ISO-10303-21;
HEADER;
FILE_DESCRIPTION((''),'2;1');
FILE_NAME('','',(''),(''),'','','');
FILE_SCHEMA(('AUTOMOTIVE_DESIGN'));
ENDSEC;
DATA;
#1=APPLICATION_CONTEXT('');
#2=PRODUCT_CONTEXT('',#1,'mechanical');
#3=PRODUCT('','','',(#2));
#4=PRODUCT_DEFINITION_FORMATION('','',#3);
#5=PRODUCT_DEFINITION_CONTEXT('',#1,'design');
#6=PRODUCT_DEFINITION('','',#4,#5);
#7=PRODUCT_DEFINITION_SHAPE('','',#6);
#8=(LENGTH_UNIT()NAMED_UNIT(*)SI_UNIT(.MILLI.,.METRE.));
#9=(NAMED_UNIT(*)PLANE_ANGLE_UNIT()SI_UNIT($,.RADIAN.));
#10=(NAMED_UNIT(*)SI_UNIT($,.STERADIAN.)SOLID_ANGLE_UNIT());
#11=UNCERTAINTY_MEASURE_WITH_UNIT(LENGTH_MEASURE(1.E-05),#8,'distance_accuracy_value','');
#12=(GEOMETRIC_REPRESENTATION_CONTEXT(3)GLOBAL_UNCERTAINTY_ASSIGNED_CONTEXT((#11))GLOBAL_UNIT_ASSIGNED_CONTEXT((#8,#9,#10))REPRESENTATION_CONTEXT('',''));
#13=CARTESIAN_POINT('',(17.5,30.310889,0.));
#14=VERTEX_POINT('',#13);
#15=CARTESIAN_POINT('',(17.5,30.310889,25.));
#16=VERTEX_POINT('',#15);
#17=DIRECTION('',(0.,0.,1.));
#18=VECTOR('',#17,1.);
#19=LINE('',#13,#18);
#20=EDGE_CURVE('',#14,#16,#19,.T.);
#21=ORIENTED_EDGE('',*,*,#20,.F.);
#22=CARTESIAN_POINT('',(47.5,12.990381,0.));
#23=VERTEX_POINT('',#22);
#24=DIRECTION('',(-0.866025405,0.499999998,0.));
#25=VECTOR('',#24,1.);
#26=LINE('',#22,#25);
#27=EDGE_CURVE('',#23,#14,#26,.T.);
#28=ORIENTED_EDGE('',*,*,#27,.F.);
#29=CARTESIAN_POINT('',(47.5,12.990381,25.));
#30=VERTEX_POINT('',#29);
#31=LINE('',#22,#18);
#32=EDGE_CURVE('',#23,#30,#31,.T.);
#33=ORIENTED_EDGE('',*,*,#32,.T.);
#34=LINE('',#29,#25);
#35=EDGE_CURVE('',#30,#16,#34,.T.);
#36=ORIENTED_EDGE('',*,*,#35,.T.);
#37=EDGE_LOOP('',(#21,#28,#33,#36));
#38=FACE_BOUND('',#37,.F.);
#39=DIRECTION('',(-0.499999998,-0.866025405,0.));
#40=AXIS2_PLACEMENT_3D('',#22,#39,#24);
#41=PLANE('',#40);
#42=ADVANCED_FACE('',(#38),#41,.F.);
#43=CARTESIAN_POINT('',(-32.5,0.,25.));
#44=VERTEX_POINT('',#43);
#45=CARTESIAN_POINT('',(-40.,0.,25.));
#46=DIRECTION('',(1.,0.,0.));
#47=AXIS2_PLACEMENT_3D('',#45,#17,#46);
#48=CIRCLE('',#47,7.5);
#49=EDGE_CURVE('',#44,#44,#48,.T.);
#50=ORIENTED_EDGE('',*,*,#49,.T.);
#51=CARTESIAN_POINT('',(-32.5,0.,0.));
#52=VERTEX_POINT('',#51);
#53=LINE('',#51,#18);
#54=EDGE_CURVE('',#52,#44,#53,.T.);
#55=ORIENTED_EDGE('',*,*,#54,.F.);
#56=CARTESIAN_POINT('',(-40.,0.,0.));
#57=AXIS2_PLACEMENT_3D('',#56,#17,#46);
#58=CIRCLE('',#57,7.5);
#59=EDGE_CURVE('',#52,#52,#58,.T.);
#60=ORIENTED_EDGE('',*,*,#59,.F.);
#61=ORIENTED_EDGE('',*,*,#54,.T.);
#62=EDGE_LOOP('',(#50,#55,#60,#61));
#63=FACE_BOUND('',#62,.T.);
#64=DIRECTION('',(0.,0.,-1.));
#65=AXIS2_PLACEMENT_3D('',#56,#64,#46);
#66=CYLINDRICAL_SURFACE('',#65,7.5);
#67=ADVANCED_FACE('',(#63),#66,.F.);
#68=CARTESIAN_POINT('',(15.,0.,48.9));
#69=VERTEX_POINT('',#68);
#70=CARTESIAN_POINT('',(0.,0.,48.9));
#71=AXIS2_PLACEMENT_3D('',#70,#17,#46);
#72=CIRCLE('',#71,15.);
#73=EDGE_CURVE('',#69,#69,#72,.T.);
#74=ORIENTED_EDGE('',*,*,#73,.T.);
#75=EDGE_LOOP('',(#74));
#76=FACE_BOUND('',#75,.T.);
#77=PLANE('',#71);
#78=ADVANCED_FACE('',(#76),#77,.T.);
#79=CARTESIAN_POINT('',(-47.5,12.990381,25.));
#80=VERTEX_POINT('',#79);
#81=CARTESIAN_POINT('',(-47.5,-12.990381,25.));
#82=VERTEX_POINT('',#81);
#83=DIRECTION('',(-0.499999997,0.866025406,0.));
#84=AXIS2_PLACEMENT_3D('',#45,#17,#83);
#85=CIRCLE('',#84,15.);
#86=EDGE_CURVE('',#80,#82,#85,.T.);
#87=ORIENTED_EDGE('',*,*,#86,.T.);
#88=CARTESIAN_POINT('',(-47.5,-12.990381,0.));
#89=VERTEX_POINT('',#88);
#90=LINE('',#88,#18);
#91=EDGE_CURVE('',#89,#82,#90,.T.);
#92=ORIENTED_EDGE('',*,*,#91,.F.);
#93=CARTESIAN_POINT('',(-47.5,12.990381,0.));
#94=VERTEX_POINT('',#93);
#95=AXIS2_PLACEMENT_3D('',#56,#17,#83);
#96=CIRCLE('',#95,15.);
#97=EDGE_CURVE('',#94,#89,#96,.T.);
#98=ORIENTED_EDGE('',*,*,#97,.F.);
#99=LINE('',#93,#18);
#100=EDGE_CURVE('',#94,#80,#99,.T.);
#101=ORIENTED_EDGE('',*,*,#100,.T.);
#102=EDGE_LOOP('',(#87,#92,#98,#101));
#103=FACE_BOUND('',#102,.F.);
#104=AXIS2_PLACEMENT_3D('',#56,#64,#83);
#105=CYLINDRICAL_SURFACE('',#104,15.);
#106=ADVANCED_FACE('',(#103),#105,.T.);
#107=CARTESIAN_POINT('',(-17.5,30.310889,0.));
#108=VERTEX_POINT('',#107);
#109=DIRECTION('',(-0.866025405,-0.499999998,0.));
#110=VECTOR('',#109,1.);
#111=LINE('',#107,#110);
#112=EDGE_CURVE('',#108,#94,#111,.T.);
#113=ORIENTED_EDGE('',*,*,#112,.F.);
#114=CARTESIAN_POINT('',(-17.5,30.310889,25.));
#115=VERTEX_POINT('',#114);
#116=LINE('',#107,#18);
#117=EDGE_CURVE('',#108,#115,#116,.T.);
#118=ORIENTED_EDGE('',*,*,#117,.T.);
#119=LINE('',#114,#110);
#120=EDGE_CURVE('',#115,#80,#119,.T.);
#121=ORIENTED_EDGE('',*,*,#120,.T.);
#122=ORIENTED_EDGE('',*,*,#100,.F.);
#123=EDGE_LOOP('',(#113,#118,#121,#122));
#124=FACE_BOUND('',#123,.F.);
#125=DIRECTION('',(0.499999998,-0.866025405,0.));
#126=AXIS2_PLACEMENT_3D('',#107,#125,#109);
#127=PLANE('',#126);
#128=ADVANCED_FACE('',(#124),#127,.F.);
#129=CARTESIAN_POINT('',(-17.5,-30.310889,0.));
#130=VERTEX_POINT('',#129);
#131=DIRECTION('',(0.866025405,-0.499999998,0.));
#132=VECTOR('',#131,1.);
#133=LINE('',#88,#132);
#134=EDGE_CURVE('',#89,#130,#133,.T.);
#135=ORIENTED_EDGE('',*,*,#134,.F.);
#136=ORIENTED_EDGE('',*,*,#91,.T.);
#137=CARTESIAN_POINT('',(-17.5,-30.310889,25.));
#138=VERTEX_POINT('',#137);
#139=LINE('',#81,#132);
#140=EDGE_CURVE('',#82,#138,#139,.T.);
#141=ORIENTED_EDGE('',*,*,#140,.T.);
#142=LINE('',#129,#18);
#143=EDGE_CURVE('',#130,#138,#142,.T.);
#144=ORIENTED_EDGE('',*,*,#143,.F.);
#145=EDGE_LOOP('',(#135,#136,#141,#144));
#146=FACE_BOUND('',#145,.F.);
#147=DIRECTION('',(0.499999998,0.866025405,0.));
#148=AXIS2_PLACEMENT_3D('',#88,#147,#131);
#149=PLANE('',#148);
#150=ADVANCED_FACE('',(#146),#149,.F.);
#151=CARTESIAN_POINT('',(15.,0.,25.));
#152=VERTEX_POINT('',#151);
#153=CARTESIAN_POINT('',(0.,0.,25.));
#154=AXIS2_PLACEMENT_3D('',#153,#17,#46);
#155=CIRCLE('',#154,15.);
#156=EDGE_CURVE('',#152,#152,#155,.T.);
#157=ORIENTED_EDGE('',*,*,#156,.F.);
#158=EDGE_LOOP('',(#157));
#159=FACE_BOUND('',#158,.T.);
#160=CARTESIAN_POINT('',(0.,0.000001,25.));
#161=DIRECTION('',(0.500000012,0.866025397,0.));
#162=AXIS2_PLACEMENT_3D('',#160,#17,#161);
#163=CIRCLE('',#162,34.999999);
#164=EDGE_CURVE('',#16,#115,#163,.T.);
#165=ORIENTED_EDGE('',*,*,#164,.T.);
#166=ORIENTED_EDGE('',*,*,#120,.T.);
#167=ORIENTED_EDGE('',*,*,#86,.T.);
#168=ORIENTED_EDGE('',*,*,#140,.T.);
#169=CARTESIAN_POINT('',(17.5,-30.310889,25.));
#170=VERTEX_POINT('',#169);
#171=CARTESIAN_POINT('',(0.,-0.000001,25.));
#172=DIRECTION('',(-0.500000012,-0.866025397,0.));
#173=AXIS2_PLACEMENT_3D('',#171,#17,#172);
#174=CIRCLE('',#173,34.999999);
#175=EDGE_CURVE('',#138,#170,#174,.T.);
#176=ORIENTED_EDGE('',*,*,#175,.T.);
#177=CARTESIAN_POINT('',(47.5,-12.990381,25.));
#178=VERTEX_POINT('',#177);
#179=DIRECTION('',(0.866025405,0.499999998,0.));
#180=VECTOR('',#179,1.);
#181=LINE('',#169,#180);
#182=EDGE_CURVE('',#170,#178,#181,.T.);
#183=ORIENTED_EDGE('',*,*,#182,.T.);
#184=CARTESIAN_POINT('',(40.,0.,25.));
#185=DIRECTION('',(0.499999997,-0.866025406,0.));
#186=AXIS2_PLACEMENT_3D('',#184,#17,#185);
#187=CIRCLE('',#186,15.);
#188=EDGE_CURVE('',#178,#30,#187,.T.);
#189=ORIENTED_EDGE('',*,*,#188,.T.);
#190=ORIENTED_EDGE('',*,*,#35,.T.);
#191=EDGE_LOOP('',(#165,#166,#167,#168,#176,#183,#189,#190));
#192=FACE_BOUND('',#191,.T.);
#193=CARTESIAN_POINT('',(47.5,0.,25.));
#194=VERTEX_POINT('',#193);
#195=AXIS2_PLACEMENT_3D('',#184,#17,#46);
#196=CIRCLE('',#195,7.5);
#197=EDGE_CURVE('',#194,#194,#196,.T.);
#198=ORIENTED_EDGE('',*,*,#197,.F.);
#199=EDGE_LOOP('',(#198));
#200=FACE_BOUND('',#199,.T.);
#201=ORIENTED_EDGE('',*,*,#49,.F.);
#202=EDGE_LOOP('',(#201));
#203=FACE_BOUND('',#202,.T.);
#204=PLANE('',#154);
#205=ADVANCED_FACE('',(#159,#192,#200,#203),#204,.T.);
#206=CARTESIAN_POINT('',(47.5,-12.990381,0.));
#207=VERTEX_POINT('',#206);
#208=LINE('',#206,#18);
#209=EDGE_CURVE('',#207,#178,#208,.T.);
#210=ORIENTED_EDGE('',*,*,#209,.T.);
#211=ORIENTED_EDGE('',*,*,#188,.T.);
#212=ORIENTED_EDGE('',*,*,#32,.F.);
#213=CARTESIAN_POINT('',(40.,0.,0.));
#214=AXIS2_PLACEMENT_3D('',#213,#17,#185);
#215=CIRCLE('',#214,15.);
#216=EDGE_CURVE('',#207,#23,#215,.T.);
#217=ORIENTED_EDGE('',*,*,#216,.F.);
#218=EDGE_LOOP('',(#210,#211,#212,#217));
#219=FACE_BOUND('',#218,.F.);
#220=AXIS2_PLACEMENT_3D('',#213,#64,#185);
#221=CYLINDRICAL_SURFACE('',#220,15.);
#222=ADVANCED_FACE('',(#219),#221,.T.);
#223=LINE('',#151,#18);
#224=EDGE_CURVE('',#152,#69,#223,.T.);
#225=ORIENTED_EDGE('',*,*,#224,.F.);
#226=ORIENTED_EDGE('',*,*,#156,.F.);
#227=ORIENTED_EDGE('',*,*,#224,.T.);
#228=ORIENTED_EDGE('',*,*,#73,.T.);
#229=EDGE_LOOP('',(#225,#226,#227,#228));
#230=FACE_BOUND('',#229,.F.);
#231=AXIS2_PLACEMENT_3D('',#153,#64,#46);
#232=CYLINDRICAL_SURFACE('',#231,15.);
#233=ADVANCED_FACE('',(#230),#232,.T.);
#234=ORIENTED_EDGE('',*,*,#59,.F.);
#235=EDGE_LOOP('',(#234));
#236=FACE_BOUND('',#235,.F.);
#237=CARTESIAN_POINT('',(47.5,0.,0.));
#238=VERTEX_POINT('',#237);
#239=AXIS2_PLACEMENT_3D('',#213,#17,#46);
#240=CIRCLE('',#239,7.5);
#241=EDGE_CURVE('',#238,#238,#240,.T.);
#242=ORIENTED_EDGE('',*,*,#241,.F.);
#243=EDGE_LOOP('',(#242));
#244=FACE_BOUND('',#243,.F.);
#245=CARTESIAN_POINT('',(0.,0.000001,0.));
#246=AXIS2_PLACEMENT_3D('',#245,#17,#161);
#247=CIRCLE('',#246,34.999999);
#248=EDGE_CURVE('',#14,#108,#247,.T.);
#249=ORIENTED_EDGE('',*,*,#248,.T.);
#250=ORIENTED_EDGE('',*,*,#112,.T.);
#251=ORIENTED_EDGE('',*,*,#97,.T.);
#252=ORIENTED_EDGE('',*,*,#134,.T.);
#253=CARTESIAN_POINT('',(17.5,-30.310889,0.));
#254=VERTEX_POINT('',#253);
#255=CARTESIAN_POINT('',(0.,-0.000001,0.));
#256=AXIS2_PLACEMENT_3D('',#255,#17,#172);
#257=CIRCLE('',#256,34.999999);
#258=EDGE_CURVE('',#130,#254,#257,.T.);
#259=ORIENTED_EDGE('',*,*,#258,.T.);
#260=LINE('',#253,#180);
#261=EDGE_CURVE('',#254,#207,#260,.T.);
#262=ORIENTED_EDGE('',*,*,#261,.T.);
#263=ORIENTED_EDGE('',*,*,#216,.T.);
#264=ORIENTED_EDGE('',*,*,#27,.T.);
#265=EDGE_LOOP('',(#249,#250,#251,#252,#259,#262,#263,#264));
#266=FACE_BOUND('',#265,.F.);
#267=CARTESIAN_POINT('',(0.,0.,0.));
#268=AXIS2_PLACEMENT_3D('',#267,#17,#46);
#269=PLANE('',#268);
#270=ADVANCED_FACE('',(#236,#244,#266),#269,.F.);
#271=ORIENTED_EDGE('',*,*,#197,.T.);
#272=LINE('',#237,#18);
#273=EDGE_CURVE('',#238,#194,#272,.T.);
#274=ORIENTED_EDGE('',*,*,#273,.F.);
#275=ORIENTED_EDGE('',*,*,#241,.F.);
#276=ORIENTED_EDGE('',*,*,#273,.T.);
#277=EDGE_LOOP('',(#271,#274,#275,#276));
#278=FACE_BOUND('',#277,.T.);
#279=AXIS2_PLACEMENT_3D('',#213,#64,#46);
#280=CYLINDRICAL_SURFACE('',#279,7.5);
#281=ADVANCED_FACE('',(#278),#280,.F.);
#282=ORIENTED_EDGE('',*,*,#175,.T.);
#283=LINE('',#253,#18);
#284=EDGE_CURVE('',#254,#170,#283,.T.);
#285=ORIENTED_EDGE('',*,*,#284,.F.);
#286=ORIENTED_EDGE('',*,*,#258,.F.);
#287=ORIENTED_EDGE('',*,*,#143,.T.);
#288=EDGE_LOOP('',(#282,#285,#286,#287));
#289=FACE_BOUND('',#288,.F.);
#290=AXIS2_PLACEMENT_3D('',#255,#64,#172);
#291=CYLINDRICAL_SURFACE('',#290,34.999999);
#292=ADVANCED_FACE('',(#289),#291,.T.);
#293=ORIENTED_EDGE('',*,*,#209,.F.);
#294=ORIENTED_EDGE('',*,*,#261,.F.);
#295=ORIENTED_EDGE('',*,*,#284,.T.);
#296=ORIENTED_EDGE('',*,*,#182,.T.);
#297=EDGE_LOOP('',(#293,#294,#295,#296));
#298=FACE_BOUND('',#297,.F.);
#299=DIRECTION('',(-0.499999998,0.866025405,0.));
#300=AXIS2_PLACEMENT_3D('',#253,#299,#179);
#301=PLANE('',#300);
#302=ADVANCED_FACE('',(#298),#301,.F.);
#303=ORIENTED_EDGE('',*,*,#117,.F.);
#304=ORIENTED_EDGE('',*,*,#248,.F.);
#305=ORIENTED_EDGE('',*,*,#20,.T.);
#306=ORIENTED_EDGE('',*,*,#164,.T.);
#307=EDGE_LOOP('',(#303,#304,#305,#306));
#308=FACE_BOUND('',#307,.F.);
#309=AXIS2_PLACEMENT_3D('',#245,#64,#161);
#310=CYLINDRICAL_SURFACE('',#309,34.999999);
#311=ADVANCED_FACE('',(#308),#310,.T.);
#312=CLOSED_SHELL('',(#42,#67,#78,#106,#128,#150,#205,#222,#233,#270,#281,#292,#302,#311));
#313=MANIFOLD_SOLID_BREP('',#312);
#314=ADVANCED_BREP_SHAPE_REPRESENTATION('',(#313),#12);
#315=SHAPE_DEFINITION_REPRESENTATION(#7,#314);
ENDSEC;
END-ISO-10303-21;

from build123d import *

# Parameters (mm, degrees)
F0_R     = 7.5
F1_DEPTH = 25
F2_R     = 15
F3_DEPTH = 23.9


with BuildPart() as f1:
    # F0 (on Top) → F1 (new body)
    with BuildSketch(Plane.XY):
        with BuildLine():
            Line((-47.5, -12.990381), (-17.5, -30.310889))
            ThreePointArc((-17.5, -30.310889), (0, -35), (17.5, -30.310889))
            Line((17.5, -30.310889), (47.5, -12.990381))
            ThreePointArc((47.5, -12.990381), (55, 0), (47.5, 12.990381))
            Line((47.5, 12.990381), (17.5, 30.310889))
            ThreePointArc((17.5, 30.310889), (0, 35), (-17.5, 30.310889))
            Line((-17.5, 30.310889), (-47.5, 12.990381))
            ThreePointArc((-47.5, 12.990381), (-55, 0), (-47.5, -12.990381))
        make_face()
        with Locations((-40, 0)):
            Circle(F0_R, mode=Mode.SUBTRACT)
        with Locations((40, 0)):
            Circle(F0_R, mode=Mode.SUBTRACT)
    extrude(amount=F1_DEPTH)

    # F2 (on face) → F3 (join)
    with BuildSketch(Plane.XY.offset(25)):
        Circle(F2_R)
    extrude(amount=F3_DEPTH)


solid = f1.part
